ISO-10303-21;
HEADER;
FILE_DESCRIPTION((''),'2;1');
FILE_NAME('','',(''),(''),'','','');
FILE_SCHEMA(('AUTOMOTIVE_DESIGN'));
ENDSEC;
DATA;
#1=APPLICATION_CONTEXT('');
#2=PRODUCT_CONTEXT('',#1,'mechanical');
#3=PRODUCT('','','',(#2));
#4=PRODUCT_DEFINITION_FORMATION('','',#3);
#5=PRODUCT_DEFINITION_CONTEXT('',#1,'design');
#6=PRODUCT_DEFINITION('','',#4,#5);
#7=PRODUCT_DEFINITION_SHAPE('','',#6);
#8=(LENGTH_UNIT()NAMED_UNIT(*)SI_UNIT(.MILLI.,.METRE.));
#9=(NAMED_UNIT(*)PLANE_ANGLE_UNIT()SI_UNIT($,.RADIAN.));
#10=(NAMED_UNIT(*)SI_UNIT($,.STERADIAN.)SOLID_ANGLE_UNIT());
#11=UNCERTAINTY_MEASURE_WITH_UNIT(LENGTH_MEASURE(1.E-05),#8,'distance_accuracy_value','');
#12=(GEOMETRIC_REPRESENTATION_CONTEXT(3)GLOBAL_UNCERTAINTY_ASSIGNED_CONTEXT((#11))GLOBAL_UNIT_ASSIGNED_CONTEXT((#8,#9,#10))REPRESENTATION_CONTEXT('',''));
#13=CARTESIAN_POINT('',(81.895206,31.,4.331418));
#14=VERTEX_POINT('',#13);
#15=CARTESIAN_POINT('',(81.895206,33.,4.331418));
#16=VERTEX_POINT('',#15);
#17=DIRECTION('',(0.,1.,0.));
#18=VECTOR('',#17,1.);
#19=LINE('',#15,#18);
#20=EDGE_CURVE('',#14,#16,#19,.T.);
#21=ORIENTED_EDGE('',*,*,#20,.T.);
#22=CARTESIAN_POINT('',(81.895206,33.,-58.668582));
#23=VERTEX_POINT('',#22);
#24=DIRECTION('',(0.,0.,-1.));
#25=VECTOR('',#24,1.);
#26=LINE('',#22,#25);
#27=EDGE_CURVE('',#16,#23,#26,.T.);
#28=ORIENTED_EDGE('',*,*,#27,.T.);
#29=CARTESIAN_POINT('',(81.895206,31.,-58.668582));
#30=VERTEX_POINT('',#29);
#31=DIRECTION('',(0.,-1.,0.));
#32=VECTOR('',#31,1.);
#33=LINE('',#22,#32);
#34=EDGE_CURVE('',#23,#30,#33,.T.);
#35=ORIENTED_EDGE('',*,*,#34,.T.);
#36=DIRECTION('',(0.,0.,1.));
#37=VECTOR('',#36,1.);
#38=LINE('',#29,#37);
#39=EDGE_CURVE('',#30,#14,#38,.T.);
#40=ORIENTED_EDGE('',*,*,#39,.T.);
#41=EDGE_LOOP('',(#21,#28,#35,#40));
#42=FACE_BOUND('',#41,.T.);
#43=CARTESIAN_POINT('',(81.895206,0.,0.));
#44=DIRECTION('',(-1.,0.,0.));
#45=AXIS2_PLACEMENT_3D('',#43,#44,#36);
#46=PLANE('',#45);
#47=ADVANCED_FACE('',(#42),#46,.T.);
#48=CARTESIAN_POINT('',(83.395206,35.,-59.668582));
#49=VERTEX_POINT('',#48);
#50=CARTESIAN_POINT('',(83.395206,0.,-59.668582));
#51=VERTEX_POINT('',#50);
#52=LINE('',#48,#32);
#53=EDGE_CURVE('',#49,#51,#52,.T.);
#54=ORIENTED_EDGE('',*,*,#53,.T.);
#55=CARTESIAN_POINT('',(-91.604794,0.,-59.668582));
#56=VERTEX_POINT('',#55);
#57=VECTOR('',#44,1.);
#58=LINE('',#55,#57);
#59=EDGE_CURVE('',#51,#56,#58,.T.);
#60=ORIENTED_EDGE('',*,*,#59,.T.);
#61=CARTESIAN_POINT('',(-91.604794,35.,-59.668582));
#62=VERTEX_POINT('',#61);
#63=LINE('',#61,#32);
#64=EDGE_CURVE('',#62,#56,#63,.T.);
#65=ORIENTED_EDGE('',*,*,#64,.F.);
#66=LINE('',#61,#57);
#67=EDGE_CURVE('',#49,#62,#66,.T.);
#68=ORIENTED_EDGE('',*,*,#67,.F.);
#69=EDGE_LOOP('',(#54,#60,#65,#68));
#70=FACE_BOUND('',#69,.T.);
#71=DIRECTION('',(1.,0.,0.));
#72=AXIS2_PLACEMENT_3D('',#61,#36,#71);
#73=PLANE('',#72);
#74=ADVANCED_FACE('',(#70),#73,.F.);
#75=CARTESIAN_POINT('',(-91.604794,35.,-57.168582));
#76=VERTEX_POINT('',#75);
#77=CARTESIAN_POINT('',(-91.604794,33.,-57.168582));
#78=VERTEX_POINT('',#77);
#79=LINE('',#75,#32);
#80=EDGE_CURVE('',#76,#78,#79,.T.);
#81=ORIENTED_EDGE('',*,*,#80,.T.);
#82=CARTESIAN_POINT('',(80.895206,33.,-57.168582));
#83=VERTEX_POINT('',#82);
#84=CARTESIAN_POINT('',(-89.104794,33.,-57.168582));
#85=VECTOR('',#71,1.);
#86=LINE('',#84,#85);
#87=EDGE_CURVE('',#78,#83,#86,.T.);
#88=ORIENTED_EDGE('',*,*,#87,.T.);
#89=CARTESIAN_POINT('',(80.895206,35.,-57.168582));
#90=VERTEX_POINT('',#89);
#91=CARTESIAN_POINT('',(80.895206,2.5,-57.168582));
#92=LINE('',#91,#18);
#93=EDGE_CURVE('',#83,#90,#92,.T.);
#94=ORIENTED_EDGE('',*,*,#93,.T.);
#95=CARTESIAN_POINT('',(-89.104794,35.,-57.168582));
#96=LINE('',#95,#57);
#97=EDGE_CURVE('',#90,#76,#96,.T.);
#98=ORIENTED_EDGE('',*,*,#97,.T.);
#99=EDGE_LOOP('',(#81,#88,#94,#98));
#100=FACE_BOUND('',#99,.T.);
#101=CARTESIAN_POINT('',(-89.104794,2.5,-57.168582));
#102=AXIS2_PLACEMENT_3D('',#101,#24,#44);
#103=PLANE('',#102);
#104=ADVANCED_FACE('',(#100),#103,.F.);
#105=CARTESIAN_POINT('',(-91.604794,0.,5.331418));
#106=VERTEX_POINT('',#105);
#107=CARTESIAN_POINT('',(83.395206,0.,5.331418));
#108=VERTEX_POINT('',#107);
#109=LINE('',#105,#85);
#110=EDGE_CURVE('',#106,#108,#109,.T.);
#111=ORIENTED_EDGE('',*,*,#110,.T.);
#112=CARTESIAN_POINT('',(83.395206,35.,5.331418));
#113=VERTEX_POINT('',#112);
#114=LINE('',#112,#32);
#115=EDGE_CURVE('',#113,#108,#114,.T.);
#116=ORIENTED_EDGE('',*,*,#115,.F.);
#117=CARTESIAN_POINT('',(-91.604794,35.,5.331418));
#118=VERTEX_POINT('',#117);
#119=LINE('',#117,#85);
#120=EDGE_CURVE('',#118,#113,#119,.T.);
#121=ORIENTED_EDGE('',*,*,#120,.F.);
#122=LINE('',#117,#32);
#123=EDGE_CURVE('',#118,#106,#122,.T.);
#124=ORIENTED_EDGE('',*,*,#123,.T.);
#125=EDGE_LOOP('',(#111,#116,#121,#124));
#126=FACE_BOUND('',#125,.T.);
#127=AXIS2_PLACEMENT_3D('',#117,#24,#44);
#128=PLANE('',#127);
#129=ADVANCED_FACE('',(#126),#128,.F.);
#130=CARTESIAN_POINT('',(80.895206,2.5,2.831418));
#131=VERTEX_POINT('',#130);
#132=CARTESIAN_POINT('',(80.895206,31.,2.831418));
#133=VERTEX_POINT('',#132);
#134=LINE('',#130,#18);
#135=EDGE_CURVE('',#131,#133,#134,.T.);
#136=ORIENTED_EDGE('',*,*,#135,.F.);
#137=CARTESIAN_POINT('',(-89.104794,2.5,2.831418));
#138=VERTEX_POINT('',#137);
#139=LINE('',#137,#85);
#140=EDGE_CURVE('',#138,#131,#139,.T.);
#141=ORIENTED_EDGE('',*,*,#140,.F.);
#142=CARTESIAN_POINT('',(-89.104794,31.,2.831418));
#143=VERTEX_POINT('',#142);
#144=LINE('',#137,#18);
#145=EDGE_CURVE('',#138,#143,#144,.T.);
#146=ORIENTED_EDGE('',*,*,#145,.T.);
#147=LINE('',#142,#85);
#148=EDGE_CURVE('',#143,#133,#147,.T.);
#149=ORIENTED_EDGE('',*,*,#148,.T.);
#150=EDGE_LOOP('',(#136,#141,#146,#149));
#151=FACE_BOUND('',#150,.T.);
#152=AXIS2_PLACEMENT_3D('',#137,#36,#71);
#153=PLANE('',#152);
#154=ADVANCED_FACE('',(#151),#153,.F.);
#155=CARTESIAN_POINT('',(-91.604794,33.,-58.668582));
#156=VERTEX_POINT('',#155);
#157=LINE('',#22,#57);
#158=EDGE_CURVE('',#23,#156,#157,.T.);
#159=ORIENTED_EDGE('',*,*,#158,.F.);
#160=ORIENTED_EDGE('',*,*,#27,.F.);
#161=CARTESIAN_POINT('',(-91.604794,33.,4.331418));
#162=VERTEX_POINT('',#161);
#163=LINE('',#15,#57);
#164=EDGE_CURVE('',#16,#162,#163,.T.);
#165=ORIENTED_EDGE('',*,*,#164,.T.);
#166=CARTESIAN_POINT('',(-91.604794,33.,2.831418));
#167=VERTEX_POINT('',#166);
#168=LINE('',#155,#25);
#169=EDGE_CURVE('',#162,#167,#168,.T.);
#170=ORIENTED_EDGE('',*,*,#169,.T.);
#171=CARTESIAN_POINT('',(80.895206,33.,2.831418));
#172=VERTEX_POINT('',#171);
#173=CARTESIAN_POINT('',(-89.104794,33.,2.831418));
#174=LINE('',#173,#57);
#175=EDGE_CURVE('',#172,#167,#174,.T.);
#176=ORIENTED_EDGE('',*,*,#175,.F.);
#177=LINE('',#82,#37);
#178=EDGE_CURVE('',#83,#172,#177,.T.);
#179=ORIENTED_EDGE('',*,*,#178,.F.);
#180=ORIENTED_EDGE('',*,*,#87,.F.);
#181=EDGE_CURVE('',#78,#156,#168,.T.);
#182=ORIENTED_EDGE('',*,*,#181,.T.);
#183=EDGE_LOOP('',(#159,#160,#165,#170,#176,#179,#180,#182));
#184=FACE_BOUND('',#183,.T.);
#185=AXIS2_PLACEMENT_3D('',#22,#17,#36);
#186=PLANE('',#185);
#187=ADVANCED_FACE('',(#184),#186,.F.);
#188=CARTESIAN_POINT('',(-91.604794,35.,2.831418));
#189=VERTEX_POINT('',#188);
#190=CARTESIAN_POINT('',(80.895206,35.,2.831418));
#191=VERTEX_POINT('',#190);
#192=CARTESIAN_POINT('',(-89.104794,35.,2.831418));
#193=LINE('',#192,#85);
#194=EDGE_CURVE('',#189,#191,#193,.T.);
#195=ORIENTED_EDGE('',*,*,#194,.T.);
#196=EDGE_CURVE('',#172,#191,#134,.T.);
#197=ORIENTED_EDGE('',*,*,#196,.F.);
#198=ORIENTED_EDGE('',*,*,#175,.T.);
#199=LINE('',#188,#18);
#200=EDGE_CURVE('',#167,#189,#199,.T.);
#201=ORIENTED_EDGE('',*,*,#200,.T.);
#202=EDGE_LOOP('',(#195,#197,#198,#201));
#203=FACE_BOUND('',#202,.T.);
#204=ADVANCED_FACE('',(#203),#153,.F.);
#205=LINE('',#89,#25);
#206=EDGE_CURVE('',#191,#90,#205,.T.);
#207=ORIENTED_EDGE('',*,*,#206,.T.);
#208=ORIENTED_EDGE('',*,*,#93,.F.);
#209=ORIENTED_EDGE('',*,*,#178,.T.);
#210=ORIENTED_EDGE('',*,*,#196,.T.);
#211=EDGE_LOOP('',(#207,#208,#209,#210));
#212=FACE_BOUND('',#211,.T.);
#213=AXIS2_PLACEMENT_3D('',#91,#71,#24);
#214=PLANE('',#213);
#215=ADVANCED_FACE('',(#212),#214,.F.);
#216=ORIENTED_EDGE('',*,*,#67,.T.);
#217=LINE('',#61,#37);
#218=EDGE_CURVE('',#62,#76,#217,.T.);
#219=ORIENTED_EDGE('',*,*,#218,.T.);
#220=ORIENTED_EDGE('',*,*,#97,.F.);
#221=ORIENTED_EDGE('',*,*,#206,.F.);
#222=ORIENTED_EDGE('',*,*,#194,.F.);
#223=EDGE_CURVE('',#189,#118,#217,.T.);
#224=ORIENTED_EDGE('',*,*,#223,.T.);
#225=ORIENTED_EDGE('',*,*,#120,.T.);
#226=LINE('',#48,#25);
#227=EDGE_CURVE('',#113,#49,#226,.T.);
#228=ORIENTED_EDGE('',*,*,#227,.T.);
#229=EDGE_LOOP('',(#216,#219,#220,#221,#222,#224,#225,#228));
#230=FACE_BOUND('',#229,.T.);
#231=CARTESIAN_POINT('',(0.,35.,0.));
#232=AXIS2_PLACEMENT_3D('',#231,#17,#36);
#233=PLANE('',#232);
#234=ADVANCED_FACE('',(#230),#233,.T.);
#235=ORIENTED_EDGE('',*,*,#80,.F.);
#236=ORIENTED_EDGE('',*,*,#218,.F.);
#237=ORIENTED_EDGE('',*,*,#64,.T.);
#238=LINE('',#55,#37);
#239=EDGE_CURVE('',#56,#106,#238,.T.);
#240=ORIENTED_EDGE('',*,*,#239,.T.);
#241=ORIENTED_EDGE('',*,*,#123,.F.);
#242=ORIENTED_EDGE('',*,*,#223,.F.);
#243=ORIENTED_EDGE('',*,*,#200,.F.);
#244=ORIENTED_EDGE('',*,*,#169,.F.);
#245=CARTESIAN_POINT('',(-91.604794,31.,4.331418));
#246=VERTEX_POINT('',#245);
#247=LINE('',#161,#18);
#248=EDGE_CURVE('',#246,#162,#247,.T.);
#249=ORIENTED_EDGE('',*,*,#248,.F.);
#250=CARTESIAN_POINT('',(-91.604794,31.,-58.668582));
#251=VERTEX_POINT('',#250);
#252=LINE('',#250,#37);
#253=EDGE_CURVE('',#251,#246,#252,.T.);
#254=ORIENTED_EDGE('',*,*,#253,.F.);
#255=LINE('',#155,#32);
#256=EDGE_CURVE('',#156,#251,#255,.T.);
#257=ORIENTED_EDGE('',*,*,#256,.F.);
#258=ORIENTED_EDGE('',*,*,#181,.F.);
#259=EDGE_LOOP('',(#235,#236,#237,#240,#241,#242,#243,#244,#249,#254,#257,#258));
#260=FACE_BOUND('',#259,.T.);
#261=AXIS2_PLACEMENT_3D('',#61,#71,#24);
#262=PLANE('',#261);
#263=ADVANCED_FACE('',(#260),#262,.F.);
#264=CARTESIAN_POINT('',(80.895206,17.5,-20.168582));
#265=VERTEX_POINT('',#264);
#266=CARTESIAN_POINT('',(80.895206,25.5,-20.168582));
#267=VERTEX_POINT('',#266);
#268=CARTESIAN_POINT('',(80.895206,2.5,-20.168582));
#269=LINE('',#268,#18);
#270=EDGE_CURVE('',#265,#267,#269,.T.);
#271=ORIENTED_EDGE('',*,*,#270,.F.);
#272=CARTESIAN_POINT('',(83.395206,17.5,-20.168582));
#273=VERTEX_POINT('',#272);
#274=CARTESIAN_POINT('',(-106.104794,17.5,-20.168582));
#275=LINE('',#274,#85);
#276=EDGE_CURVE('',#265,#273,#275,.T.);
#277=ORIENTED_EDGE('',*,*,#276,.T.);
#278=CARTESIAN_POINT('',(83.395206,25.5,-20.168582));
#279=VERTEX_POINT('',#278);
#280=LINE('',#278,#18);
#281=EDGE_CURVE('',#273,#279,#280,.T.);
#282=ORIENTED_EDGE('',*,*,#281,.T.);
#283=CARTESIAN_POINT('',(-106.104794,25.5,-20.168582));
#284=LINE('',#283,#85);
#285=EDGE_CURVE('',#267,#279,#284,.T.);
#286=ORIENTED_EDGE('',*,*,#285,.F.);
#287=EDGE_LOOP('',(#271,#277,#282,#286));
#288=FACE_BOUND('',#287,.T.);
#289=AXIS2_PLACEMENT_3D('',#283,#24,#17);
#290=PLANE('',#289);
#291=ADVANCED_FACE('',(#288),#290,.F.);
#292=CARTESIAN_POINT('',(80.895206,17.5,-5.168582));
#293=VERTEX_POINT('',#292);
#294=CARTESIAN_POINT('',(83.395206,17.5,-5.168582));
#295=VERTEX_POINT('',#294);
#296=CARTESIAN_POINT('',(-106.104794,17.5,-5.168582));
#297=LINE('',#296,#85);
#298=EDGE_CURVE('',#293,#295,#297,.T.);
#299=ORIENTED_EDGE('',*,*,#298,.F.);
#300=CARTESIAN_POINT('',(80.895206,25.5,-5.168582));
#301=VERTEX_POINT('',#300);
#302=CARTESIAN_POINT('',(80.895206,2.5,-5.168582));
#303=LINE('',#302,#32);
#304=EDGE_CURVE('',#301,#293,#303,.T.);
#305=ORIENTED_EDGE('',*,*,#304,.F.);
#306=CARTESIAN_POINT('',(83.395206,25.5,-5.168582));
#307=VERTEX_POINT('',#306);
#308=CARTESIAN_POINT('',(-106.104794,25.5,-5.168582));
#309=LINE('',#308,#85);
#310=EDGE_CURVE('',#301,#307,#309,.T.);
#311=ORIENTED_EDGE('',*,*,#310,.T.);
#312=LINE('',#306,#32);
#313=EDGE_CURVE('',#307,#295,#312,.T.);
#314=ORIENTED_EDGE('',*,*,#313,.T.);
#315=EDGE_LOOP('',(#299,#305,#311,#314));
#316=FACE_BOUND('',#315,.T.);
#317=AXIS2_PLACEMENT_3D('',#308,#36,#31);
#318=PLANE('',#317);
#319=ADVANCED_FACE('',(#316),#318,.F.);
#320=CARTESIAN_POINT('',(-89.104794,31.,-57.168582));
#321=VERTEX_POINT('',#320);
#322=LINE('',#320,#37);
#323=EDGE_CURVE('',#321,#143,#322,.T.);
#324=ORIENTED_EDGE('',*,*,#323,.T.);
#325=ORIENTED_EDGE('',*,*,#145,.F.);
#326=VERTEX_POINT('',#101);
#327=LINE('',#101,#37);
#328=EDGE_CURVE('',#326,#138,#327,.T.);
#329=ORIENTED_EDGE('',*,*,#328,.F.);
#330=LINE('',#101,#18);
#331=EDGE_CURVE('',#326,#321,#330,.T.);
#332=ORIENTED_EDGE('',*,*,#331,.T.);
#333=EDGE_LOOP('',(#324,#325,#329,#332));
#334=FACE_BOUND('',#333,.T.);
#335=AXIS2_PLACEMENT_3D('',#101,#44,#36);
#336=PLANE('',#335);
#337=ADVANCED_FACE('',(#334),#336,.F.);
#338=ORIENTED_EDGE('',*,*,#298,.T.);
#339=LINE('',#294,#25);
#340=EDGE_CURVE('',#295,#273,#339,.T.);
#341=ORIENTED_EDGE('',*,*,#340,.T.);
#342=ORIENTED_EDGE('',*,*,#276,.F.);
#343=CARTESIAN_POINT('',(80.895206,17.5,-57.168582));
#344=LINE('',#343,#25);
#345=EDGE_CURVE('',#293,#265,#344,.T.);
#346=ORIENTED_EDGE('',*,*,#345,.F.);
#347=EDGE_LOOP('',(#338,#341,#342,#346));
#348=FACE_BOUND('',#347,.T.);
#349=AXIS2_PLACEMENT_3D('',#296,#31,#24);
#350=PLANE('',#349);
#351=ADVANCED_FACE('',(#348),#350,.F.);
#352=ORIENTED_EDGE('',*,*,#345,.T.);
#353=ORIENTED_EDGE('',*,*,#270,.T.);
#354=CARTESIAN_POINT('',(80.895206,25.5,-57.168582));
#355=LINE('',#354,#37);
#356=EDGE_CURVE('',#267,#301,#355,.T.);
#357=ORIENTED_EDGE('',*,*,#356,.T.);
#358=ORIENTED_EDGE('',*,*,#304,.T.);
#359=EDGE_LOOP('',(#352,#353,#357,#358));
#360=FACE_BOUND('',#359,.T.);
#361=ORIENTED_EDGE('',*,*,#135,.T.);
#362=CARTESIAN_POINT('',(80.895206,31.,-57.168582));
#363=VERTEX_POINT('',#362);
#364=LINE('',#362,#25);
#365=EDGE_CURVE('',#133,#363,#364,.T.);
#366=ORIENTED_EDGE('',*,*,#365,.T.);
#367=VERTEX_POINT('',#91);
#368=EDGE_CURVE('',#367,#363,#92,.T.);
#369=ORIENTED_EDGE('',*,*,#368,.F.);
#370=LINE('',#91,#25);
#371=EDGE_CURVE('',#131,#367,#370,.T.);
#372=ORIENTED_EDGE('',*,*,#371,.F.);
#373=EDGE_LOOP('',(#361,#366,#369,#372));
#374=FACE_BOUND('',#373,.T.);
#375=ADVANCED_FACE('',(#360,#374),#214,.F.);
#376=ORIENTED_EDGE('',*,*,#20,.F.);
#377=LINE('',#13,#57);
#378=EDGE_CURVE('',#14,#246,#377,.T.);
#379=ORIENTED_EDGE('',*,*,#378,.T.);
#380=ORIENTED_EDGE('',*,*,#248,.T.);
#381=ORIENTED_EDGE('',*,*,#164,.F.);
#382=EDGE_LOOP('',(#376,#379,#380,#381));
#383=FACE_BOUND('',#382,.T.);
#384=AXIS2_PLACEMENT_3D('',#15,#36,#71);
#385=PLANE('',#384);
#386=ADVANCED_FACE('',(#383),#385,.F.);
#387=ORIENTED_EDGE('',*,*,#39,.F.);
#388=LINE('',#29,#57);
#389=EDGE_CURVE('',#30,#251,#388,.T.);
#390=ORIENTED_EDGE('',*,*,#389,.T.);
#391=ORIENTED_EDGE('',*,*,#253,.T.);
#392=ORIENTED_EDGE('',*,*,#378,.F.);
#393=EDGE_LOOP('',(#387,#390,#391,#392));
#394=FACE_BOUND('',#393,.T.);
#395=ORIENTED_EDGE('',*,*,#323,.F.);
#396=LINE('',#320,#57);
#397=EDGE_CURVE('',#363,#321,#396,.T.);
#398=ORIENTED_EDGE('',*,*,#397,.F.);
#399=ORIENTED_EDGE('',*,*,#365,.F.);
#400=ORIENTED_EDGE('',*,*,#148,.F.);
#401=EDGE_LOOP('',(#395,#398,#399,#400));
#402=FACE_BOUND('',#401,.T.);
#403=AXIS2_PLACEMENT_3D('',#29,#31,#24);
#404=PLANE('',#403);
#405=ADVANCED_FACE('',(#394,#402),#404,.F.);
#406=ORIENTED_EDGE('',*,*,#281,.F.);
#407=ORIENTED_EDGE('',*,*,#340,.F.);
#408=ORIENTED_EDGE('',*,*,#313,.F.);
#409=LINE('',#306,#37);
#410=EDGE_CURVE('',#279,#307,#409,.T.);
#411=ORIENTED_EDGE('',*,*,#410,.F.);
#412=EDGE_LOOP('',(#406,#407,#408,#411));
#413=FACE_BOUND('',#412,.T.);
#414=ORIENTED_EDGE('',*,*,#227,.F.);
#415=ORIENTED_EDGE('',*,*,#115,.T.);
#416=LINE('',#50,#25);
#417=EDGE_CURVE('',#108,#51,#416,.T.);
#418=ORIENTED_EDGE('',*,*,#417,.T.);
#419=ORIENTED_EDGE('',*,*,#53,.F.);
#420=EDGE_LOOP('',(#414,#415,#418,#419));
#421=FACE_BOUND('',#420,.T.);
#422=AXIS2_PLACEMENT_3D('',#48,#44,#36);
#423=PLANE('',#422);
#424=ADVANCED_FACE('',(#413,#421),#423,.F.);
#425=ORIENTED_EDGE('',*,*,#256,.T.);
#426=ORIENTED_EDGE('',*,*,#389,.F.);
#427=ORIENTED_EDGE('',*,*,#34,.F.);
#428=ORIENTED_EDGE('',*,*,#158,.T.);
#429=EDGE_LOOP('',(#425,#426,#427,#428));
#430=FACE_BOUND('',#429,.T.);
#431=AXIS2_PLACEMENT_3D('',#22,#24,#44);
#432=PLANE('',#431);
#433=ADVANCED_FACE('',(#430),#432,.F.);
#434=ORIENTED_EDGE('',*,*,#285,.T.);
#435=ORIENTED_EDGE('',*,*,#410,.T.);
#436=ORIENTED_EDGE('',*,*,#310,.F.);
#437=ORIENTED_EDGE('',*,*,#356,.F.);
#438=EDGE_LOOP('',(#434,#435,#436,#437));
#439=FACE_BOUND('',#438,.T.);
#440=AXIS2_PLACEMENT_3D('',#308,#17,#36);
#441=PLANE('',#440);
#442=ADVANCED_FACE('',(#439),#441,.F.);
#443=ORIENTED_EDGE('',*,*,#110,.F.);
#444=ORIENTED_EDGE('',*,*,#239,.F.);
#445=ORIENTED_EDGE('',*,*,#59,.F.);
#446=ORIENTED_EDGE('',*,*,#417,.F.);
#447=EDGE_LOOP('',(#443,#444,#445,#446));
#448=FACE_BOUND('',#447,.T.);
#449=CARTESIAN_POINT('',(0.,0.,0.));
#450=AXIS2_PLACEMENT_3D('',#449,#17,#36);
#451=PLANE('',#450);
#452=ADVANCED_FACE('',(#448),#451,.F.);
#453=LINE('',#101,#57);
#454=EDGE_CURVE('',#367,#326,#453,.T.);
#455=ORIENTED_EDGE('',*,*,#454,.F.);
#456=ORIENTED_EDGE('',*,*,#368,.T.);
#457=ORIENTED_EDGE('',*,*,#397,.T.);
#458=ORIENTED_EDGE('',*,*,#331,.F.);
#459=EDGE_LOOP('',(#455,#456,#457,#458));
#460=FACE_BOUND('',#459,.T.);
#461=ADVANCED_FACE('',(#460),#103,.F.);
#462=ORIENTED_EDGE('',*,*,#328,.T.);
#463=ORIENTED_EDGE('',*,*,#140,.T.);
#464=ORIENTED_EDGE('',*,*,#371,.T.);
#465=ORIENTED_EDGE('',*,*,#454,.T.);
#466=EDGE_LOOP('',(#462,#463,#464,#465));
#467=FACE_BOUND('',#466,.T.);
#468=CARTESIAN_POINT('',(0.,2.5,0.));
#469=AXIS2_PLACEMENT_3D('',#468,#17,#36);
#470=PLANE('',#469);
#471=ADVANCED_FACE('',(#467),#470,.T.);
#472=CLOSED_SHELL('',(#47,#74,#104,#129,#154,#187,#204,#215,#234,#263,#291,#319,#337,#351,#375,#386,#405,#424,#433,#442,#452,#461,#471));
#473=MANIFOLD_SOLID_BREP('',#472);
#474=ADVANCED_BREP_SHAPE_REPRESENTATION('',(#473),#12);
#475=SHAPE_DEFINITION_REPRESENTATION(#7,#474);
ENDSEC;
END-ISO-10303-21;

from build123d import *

# Parameters (mm, degrees)
SKETCH2_W           = 175
SKETCH2_H           = 65
BOSS_EXTRUDE1_DEPTH = 35
SKETCH3_W           = 170
SKETCH3_H           = 60
CUT_EXTRUDE1_DEPTH  = 32.5
SKETCH4_W           = 15
SKETCH4_H           = 8
CUT_EXTRUDE3_DEPTH  = 172.5
SKETCH5_W           = 63
SKETCH5_H           = 2
CUT_EXTRUDE5_DEPTH  = 173.5
SKETCH7_W           = 60
SKETCH7_H           = 2
CUT_EXTRUDE6_DEPTH  = 2.5


with BuildPart() as part:
    # Sketch2 → Boss-Extrude1 (new body)
    with BuildSketch(Plane(origin=(0, 0, 0), x_dir=(1, 0, 0), z_dir=(0, 1, 0))):
        with Locations((-4.104793892, 27.168582034)):
            Rectangle(SKETCH2_W, SKETCH2_H)
    extrude(amount=BOSS_EXTRUDE1_DEPTH)

    # Sketch3 → Cut-Extrude1 (cut)
    with BuildSketch(Plane(origin=(0, 35, 0), x_dir=(1, 0, 0), z_dir=(0, 1, 0))):
        with Locations((-4.104793892, 27.168582034)):
            Rectangle(SKETCH3_W, SKETCH3_H)
    extrude(amount=-CUT_EXTRUDE1_DEPTH, mode=Mode.SUBTRACT)

    # Sketch4 → Cut-Extrude3 (cut)
    with BuildSketch(Plane(origin=(83.395206108, 0, 0), x_dir=(0, 0, -1), z_dir=(1, 0, 0))):
        with Locations((12.668582034, 21.5)):
            Rectangle(SKETCH4_W, SKETCH4_H)
    extrude(amount=-CUT_EXTRUDE3_DEPTH, mode=Mode.SUBTRACT)

    # Sketch5 → Cut-Extrude5 (cut)
    with BuildSketch(Plane.ZY.offset(91.604793892)):
        with Locations((-27.168582034, 32)):
            Rectangle(SKETCH5_W, SKETCH5_H)
    extrude(amount=-CUT_EXTRUDE5_DEPTH, mode=Mode.SUBTRACT)

    # Sketch7 → Cut-Extrude6 (cut)
    with BuildSketch(Plane.ZY.offset(91.604793892)):
        with Locations((-27.168582034, 34)):
            Rectangle(SKETCH7_W, SKETCH7_H)
    extrude(amount=-CUT_EXTRUDE6_DEPTH, mode=Mode.SUBTRACT)


solid = part.part
